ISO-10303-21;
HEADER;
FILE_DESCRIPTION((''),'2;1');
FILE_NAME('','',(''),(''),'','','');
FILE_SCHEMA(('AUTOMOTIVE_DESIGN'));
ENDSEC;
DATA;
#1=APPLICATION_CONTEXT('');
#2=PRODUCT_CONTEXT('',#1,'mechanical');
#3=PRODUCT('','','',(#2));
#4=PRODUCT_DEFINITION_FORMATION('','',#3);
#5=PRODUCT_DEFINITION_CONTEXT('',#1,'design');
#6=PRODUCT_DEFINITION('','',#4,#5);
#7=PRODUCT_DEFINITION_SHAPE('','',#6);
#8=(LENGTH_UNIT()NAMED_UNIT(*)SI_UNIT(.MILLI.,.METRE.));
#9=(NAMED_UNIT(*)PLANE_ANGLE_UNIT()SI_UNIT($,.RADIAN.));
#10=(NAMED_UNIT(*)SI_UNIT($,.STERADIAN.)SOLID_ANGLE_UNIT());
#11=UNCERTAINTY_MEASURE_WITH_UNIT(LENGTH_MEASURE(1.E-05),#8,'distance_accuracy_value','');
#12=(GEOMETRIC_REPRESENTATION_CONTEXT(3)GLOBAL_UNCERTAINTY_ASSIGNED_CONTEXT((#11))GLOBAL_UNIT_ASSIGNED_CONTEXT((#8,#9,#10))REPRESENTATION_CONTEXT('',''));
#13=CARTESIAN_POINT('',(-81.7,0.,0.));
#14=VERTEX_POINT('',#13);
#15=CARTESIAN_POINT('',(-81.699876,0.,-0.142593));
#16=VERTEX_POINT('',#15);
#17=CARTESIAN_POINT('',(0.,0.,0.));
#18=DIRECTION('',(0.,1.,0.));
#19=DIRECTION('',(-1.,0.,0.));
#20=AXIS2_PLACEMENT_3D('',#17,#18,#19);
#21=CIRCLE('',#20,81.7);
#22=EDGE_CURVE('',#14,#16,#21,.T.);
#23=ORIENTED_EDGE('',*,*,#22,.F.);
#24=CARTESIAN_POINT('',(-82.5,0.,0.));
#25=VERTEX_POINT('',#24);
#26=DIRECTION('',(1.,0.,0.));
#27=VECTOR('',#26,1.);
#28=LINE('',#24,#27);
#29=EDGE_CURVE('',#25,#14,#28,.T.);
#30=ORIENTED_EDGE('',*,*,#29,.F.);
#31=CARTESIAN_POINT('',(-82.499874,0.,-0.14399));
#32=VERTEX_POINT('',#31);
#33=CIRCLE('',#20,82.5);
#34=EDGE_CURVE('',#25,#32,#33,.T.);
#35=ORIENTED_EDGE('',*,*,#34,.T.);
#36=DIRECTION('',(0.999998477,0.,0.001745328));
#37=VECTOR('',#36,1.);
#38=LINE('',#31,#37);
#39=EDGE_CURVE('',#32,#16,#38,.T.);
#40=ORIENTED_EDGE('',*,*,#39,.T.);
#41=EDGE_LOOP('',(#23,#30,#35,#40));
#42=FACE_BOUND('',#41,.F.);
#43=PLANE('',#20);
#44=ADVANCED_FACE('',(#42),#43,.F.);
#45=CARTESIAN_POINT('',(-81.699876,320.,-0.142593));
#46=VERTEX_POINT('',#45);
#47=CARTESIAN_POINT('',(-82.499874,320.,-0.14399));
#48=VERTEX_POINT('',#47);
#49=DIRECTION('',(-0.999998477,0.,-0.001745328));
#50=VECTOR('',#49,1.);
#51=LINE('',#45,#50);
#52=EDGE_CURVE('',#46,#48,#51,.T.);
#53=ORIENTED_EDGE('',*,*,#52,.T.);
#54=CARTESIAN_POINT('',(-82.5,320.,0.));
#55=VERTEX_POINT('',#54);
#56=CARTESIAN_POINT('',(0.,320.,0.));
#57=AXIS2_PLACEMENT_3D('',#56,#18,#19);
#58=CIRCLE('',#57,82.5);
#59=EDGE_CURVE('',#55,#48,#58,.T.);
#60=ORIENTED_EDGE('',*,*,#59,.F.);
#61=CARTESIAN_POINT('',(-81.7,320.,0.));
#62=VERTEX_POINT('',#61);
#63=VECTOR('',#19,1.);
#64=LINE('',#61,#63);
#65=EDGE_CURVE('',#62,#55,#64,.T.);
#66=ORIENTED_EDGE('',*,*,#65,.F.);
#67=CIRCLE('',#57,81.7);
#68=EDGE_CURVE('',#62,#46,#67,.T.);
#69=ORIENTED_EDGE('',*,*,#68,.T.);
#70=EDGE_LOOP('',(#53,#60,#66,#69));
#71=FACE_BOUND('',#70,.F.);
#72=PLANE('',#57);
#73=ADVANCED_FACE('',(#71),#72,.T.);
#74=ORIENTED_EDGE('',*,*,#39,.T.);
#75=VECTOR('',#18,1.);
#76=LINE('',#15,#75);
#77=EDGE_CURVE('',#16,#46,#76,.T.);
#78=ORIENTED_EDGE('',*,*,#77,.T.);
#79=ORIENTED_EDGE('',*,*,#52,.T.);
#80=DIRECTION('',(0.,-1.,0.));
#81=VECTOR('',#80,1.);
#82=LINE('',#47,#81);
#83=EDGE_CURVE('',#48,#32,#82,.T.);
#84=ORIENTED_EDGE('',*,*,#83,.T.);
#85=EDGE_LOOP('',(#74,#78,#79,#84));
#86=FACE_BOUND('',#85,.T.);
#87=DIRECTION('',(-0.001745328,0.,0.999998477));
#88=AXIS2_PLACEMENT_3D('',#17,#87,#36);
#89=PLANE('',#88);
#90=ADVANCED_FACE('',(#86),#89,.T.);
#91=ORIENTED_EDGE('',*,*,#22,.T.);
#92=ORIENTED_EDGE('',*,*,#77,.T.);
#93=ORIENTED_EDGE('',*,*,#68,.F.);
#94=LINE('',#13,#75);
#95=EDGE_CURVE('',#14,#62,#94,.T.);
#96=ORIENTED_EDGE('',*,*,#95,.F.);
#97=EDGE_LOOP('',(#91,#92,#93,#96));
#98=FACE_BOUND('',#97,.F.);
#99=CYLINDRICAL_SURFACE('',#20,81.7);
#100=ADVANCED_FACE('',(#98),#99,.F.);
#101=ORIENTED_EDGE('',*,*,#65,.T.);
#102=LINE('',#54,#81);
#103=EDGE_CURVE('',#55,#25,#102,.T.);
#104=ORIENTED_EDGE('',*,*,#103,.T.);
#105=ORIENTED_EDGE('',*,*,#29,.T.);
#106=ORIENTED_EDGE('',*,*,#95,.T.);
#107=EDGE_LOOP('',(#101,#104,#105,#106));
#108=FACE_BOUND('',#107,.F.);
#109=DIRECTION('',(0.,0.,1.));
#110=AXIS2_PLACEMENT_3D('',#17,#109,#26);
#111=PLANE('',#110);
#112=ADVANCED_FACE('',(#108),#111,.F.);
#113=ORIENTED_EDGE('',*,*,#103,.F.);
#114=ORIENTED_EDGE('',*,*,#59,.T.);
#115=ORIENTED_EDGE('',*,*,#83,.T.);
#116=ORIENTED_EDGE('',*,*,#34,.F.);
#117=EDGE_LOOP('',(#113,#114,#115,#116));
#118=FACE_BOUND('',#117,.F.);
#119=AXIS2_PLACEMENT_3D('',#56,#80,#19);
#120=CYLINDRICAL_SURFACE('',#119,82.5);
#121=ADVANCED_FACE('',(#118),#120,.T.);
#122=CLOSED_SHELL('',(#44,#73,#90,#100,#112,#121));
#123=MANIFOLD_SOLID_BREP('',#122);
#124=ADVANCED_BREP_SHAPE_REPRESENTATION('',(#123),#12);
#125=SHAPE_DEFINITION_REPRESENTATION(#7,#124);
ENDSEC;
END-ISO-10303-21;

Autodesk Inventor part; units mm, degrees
ref_plane "YZ Plane" through (0, 0, 0) normal (1, 0, 0) x (0, 1, 0)
ref_plane "XZ Plane" through (0, 0, 0) normal (0, 1, 0) x (-1, 0, 0)
ref_plane "XY Plane" through (0, 0, 0) normal (0, 0, 1) x (1, 0, 0)
sketch "Sketch1" plane through (0, 0, 0) normal (0, 0, 1) x (1, 0, 0)
  line L0 (0, 0) -> (0, 320)
  line L1 (-81.7, 320) -> (-82.5, 320)
  line L2 (-82.5, 320) -> (-82.5, 0)
  line L3 (-82.5, 0) -> (-81.7, 0)
  line L4 (-81.7, 0) -> (-81.7, 320)
  line L5 (-81.7, 320) -> (-82.5, 0) construction
  line L6 (-82.5, 320) -> (-81.7, 0) construction
  point P0 (-82.1, 160)
  dimension "d0" = 320
  dimension "d1" = 0.8
  dimension "d2" = 165
revolve "Revolution1" add sketch "Sketch1" angle 359.9 about axis through (0, 0, 0) along (0, 1, 0)
equation "\"d1\" = Thickness"
equation "\"BendRadius\" = Thickness"
equation "\"BendReliefWidth\" = Thickness"
equation "\"BendReliefDepth\" = 0.5 * Thickness"
equation "\"CornerReliefSize\" = 4 * Thickness"
equation "\"MinimumRemnant\" = 2 * Thickness"
equation "\"TransitionRadius\" = BendRadius"
equation "\"JacobiRadiusSize\" = BendRadius"
equation "\"GapSize\" = Thickness"
equation "\"Thickness\" = 0.8"
properties part number "МОО 062 ракета тело" material "Stainless Steel"
